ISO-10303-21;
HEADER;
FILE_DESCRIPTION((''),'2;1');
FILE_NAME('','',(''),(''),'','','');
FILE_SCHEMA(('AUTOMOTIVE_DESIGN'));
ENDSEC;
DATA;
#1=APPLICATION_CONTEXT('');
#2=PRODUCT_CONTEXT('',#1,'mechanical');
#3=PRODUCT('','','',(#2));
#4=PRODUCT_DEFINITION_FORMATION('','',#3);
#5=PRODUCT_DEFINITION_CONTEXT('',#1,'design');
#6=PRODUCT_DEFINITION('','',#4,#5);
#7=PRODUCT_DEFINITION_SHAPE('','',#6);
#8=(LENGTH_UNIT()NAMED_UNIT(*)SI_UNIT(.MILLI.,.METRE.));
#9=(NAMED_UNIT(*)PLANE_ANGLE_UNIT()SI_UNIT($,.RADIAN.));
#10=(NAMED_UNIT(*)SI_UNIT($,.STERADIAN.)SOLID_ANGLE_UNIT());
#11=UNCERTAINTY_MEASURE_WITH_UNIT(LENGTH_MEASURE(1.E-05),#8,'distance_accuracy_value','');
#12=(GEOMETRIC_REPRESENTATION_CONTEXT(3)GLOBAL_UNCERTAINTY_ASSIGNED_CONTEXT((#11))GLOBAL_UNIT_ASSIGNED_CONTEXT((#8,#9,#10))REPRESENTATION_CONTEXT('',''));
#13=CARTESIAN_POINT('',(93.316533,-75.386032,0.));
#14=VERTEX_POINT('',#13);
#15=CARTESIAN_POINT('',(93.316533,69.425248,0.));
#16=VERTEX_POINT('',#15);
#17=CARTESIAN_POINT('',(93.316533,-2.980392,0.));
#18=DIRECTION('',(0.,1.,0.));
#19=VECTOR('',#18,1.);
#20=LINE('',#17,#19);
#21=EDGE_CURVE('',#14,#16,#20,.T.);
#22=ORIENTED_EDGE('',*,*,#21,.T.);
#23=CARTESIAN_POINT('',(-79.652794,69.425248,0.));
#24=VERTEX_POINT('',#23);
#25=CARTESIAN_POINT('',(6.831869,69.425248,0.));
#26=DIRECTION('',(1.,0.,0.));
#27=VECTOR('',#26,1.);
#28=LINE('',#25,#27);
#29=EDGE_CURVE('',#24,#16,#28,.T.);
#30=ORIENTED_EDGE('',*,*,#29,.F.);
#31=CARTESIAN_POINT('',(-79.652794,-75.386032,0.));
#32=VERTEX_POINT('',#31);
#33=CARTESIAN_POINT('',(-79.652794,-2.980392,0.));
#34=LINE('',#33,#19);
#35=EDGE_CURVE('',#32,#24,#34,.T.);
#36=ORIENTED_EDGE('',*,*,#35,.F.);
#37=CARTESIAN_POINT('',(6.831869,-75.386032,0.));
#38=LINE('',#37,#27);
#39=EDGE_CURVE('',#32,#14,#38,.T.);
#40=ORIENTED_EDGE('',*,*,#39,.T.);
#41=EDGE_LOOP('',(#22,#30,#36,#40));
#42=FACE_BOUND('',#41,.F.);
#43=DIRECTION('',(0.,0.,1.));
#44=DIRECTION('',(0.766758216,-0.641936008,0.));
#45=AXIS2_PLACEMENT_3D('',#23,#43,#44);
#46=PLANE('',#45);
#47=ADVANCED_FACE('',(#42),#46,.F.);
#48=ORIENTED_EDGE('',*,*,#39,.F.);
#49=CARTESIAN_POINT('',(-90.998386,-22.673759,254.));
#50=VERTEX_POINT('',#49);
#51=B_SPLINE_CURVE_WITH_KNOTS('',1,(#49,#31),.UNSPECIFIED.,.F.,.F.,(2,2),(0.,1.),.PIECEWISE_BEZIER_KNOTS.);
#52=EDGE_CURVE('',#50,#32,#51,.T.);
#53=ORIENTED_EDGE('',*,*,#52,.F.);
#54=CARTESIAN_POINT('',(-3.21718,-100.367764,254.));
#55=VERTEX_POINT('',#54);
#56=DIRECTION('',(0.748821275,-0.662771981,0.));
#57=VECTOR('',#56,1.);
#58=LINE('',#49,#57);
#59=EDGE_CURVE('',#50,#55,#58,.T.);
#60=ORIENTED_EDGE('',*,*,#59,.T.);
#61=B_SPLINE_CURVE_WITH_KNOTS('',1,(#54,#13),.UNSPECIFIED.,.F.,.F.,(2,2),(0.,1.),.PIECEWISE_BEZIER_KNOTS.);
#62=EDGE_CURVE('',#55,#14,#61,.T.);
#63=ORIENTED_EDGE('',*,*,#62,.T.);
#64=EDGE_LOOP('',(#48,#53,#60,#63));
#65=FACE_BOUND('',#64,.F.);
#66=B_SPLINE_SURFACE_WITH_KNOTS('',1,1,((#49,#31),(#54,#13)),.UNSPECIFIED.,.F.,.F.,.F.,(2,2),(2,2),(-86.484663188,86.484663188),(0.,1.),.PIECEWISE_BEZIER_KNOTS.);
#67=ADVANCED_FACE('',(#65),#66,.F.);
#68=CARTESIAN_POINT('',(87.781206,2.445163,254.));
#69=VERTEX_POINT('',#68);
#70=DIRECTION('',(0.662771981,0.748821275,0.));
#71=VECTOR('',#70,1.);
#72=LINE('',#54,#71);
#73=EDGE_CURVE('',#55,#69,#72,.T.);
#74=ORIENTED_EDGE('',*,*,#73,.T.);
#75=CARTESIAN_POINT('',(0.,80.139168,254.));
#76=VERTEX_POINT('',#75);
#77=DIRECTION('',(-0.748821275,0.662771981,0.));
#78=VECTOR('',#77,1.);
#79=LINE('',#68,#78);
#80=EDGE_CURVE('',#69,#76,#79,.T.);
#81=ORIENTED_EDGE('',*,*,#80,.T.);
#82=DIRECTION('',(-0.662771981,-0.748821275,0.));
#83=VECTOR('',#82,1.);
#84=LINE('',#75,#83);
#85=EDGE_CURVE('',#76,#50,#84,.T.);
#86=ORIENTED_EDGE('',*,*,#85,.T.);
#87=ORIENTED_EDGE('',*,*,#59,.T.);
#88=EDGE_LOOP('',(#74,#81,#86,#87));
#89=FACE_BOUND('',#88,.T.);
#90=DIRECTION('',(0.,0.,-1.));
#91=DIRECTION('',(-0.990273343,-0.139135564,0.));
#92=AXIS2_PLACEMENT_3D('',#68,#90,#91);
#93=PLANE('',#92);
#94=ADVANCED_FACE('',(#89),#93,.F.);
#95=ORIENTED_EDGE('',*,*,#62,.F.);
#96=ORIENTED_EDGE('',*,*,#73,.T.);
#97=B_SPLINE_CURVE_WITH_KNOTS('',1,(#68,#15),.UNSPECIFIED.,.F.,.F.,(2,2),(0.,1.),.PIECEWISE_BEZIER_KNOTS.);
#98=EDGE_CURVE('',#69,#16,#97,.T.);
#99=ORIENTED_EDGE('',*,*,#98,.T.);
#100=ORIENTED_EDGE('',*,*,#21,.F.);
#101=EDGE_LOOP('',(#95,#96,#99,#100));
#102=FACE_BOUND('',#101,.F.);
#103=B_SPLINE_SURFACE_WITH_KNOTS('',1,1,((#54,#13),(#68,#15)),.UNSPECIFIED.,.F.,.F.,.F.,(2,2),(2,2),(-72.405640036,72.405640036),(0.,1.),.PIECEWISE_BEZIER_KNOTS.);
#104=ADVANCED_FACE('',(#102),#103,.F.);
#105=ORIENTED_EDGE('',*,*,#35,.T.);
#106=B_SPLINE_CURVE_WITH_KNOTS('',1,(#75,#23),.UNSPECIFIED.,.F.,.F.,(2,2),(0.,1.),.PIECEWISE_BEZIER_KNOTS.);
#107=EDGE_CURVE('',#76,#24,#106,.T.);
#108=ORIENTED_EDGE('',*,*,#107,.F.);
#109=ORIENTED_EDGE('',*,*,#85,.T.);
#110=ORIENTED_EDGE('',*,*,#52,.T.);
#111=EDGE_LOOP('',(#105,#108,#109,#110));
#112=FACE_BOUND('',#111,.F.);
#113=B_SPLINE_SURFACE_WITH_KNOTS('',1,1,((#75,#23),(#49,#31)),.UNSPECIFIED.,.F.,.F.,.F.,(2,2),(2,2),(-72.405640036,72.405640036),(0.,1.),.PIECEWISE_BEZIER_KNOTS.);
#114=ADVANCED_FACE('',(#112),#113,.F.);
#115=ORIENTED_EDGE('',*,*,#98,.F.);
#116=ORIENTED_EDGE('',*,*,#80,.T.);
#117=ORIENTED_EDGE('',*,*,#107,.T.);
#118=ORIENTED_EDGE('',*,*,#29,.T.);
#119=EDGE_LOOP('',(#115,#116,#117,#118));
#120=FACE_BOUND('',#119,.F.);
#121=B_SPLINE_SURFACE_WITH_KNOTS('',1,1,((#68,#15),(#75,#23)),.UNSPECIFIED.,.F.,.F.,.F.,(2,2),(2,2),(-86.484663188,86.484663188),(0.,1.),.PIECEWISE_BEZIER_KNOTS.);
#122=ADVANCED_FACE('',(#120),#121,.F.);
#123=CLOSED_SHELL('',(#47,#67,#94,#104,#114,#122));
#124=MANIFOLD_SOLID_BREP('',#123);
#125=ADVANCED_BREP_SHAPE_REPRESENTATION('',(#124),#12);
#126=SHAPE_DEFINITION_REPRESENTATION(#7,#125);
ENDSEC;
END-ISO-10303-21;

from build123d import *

# Parameters (mm, degrees)
F0_W = 172.9693263769
F0_H = 144.8112800717


with BuildPart() as f3:
    # F2 (on offset) → F3 section 0
    with BuildSketch(Plane.XY.offset(254)):
        Polygon((87.7812057734, 2.4451629724), (0, 80.1391676068), (-90.9983858346, -22.6737594598), (-3.2171800612, -100.3677640942), align=None)
    # F0 (on Top) → F3 section 1
    with BuildSketch(Plane.XY):
        with Locations((6.831869483, -2.9803924263)):
            Rectangle(F0_W, F0_H)
    loft()


solid = f3.part
